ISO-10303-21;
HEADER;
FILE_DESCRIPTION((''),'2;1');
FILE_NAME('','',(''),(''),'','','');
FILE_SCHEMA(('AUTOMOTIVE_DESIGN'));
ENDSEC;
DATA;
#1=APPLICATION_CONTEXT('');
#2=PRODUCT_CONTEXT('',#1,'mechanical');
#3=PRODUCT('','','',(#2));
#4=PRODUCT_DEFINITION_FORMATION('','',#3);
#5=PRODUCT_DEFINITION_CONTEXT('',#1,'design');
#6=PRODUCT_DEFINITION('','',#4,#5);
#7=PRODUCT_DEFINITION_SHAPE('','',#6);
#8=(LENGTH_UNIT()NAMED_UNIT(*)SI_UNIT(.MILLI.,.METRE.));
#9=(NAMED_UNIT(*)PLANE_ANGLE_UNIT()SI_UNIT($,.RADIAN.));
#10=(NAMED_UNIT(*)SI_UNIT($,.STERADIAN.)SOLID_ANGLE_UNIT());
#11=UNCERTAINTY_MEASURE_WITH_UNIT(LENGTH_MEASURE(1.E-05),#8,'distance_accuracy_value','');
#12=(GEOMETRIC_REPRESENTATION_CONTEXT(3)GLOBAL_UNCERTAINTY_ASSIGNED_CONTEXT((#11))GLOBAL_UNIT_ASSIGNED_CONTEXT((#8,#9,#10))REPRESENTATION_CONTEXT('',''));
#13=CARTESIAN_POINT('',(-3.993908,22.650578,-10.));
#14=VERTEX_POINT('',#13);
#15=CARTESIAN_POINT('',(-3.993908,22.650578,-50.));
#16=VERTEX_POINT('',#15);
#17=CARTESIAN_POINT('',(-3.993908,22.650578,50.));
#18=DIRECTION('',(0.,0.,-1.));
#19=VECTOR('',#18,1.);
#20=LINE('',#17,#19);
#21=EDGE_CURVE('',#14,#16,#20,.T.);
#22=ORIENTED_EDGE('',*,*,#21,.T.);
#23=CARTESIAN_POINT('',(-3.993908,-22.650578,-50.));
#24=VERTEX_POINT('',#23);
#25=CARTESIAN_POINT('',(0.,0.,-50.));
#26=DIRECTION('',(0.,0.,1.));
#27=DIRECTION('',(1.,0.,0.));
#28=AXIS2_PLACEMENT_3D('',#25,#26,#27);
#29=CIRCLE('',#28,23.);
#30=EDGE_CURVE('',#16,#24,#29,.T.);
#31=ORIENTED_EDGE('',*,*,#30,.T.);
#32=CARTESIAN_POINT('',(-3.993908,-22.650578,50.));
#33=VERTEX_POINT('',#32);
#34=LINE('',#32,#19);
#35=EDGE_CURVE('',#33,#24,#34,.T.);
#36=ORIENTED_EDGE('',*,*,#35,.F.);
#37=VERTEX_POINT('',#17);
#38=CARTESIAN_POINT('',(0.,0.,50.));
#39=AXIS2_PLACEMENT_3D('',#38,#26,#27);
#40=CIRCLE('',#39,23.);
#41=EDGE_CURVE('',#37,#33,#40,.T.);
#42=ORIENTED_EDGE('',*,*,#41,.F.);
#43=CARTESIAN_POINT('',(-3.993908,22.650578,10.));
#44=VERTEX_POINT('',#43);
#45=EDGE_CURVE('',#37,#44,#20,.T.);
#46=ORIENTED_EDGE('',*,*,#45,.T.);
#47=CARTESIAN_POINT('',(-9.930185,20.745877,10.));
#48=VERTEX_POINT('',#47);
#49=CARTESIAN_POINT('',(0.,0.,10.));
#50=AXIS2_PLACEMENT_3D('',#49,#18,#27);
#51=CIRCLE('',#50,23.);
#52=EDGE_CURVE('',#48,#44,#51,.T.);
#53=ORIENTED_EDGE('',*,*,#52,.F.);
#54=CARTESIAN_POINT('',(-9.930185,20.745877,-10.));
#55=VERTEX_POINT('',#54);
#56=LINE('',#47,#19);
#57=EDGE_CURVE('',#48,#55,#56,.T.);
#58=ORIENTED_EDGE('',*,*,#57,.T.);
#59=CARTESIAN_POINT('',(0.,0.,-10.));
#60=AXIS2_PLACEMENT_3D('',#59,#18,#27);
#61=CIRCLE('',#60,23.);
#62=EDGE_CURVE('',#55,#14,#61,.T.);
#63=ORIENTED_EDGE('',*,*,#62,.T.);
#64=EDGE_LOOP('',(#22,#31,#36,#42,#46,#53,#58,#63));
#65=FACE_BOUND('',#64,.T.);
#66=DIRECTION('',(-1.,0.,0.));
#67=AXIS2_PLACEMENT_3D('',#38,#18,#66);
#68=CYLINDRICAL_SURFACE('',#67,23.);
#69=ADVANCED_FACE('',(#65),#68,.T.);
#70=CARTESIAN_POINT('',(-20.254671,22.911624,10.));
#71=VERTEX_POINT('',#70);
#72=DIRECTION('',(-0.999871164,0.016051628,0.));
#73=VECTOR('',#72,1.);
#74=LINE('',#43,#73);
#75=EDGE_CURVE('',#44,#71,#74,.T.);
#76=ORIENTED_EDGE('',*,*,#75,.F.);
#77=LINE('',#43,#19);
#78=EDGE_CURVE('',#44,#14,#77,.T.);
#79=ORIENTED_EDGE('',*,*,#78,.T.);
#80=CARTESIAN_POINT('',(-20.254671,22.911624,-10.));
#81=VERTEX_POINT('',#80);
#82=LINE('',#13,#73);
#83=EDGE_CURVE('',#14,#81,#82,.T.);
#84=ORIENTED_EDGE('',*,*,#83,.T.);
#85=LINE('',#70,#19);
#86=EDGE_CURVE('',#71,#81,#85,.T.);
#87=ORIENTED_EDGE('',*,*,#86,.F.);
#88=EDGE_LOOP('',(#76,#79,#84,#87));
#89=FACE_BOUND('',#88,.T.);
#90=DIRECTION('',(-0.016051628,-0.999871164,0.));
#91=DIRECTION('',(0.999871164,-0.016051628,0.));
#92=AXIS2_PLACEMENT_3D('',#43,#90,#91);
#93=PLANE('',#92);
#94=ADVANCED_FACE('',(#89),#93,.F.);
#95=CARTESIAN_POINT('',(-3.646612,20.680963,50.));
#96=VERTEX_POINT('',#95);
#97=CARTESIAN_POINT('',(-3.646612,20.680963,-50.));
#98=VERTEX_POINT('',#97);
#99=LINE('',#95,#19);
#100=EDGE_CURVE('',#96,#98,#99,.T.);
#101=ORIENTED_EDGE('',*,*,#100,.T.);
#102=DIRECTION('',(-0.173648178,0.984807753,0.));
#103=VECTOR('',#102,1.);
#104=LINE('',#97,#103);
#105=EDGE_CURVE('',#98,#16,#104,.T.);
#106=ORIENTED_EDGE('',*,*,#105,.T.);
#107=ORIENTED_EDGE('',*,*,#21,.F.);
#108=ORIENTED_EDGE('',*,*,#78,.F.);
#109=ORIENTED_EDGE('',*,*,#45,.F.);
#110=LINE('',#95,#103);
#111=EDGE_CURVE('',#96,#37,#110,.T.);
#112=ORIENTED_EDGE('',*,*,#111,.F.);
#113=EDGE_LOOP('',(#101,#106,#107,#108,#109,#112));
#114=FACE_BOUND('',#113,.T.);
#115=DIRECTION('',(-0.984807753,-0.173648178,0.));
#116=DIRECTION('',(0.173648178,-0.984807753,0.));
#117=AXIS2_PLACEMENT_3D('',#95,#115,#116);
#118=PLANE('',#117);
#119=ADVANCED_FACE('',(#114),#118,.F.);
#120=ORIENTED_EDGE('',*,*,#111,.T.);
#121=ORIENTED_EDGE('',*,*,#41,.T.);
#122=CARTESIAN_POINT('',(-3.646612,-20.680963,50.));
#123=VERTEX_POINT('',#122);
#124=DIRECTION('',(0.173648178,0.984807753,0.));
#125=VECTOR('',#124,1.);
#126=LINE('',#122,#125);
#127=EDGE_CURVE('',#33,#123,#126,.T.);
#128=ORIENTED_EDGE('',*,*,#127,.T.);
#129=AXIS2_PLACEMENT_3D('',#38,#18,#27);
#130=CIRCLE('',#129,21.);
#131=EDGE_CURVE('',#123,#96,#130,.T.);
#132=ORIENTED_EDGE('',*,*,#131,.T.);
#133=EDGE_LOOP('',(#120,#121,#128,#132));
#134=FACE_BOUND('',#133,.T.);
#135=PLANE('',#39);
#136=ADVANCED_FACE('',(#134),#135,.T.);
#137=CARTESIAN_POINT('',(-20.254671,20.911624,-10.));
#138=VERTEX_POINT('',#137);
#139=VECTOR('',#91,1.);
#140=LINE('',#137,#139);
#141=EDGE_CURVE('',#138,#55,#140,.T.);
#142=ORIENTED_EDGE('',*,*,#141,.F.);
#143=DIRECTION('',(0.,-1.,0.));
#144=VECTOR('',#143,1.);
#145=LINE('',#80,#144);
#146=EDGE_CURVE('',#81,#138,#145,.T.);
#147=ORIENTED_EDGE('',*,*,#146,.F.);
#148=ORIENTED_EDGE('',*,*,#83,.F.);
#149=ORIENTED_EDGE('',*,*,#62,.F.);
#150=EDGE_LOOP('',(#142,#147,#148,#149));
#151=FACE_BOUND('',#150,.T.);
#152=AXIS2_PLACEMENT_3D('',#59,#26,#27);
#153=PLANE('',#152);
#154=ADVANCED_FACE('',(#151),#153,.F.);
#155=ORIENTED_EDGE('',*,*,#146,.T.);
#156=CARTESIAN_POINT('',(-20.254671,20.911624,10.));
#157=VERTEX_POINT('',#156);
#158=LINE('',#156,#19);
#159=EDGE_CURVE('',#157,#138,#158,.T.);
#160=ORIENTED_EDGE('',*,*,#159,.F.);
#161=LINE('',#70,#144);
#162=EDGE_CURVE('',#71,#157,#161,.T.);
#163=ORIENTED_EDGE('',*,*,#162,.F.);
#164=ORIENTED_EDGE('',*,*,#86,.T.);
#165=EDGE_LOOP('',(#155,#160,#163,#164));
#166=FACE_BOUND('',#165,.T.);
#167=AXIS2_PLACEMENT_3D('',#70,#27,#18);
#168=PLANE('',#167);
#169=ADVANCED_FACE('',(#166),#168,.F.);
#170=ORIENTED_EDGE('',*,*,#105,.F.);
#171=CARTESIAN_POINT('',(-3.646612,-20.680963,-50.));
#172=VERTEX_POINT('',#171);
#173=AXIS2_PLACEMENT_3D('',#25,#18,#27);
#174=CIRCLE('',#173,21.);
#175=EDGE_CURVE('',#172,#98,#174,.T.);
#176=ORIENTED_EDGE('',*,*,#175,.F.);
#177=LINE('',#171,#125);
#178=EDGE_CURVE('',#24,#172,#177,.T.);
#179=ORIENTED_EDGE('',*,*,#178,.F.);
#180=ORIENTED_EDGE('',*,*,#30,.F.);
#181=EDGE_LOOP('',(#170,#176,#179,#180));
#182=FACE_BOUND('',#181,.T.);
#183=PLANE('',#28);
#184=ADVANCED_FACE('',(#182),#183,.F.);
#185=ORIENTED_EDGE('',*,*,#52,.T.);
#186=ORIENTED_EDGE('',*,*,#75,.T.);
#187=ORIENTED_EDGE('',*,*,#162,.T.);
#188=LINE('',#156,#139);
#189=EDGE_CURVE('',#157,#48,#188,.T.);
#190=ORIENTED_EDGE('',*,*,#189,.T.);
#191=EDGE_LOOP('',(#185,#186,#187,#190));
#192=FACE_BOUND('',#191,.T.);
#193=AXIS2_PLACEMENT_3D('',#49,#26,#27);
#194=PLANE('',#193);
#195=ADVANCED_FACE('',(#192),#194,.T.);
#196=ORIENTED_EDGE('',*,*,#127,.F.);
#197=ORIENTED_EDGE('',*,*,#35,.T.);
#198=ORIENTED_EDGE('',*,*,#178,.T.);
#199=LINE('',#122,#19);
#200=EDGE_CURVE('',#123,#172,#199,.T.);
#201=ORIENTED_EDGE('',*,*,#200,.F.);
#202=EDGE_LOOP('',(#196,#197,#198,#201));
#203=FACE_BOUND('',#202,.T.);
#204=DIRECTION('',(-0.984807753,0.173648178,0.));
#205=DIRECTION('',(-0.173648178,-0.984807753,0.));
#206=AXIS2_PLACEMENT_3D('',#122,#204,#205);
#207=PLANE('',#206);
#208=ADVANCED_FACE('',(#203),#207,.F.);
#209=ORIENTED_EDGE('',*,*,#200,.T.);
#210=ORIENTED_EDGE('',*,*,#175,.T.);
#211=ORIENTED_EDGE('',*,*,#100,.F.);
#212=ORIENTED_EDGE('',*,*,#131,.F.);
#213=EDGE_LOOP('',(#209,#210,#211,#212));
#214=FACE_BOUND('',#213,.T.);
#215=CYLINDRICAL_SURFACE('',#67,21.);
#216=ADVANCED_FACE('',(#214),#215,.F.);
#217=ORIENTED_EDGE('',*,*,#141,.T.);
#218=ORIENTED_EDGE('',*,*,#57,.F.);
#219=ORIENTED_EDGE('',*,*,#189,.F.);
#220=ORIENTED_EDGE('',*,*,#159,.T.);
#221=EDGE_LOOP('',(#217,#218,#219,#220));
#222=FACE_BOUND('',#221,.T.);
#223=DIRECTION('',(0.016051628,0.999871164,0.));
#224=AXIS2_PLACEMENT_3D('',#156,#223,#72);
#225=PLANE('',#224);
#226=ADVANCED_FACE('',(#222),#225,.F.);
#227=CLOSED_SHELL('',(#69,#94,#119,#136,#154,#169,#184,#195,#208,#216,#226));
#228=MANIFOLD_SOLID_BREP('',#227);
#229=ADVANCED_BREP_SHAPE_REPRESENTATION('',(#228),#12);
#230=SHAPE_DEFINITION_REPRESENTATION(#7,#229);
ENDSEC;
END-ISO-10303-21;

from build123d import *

# Parameters (mm, degrees)
EXTRUDE_1_DEPTH = 50
EXTRUDE_2_DEPTH = 10


with BuildPart() as part:
    # 草图1 → 凸台-拉伸1 (new, symmetric)
    with BuildSketch(Plane.XY):
        with BuildLine():
            Line((-3.646611731, 20.680962813), (-3.993908086, 22.650578319))
            ThreePointArc((-3.993908086, 22.650578319), (-23, 0), (-3.993908086, -22.650578319))
            Line((-3.993908086, -22.650578319), (-3.646611731, -20.680962813))
            ThreePointArc((-3.646611731, -20.680962813), (-21, 0), (-3.646611731, 20.680962813))
        make_face()
    extrude(amount=EXTRUDE_1_DEPTH, both=True)

    # 草图2 → 凸台-拉伸2 (add, symmetric)
    with BuildSketch(Plane.XY):
        with BuildLine():
            Line((-3.993908086, 22.650578319), (-20.254671357, 22.911623668))
            Line((-20.254671357, 22.911623668), (-20.254671357, 20.911623668))
            Line((-20.254671357, 20.911623668), (-9.930184633, 20.745877498))
            ThreePointArc((-9.930184633, 20.745877498), (-7.026881301, 21.900295413), (-3.993908086, 22.650578319))
        make_face()
    extrude(amount=EXTRUDE_2_DEPTH, both=True)


solid = part.part
